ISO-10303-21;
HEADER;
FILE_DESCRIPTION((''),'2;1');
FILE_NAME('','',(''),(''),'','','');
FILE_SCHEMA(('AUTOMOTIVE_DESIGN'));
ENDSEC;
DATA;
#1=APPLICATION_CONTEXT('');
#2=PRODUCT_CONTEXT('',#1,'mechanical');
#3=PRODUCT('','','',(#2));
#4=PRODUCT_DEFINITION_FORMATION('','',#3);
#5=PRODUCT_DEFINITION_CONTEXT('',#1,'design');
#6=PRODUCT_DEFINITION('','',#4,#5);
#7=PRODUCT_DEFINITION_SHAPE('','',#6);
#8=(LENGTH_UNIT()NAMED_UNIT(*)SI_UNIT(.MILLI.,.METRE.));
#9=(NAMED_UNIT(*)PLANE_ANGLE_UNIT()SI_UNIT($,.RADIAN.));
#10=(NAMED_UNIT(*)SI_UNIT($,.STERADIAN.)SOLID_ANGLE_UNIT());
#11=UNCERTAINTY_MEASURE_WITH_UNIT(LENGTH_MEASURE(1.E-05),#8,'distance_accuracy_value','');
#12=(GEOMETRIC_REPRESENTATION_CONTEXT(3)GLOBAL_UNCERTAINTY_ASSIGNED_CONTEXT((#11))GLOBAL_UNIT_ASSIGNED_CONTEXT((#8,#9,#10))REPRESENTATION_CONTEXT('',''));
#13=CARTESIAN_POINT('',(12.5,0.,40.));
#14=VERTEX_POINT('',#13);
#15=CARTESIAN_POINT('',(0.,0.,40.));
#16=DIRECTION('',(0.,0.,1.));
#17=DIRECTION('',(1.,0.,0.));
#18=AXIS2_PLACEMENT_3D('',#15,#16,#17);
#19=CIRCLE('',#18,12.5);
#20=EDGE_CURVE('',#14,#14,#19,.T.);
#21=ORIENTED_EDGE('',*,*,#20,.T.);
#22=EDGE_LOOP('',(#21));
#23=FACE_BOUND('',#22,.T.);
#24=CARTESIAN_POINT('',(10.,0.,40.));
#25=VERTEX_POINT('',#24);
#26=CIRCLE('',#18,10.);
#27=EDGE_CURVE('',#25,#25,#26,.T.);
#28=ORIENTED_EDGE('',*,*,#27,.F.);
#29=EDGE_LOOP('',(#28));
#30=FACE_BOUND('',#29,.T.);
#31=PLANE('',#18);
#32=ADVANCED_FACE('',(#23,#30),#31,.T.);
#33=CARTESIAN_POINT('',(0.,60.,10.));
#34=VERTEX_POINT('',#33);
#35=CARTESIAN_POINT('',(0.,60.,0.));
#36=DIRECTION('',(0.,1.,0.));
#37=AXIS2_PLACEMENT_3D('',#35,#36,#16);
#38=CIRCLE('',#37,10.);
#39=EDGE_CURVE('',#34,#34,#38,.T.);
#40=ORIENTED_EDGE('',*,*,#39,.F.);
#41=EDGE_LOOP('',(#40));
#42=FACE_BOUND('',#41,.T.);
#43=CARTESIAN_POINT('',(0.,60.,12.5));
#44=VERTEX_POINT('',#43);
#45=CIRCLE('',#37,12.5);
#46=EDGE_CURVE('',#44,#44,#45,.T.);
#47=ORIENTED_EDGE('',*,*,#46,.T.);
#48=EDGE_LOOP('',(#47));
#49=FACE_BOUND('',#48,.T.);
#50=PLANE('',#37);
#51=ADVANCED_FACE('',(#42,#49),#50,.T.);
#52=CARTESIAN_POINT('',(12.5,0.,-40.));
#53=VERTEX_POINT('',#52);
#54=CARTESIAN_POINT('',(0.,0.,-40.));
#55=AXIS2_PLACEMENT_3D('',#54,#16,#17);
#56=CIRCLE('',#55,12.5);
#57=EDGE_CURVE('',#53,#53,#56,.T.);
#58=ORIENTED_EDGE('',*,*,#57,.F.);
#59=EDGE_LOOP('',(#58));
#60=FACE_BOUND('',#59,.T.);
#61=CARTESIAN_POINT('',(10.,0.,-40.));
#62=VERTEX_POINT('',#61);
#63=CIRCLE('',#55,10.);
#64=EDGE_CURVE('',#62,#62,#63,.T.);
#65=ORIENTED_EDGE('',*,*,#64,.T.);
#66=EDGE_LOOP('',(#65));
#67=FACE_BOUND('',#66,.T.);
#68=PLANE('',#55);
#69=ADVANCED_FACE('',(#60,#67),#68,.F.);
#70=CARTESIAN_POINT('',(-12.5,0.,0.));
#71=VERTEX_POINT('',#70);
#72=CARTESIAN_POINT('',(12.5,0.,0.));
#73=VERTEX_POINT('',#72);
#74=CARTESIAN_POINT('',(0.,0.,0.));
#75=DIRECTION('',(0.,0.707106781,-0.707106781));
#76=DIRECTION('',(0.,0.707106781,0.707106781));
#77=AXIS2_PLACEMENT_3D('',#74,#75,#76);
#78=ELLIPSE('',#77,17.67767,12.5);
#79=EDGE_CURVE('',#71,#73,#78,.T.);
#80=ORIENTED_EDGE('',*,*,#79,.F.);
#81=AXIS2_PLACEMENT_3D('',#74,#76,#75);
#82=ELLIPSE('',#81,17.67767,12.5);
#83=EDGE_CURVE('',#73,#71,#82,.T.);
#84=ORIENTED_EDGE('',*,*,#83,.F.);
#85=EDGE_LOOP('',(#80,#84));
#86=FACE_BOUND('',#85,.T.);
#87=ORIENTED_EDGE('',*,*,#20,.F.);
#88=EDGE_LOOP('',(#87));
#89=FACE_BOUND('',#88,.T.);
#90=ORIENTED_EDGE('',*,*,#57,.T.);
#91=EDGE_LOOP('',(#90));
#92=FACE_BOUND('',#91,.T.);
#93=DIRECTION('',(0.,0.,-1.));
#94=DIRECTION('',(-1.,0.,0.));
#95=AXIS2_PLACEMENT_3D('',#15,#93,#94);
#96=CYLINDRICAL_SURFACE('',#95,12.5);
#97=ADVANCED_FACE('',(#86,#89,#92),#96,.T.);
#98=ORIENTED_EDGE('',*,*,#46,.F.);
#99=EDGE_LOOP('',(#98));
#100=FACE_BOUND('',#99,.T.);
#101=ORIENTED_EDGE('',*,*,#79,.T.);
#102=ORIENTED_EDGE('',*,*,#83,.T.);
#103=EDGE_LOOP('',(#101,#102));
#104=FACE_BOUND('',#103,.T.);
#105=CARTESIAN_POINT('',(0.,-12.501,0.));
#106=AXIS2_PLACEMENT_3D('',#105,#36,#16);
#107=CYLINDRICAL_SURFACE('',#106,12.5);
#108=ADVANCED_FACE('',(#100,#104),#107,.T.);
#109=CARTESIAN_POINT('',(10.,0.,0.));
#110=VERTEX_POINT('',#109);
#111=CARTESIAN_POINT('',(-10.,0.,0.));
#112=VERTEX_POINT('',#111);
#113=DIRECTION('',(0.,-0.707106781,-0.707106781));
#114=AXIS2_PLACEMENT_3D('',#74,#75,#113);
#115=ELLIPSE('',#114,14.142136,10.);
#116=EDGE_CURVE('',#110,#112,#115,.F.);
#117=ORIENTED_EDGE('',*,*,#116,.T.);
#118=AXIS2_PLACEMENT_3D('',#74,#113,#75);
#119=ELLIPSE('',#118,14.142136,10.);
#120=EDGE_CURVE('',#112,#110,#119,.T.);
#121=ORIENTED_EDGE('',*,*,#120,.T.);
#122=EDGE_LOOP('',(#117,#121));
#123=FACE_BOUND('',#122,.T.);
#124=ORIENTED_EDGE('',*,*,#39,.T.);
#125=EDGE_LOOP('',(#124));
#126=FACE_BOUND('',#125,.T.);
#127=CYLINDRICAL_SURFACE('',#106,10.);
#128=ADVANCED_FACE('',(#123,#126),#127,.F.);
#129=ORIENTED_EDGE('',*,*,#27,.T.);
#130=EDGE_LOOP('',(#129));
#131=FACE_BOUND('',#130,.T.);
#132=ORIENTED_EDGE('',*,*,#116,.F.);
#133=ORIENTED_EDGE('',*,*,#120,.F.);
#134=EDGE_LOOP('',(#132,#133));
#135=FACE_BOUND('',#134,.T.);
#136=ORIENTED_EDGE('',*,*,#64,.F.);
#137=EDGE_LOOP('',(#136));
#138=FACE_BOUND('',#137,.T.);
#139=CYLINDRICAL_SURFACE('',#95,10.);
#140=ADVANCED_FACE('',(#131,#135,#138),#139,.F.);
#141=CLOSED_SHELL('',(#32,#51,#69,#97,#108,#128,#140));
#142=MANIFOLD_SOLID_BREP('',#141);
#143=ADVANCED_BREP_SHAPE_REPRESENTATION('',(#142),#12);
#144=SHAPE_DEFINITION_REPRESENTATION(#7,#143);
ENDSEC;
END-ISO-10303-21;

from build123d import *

# Parameters (mm, degrees)
SKETCH_1_R           = 12.5
SKETCH_1_R_2         = 10
EXTRUDE_1_DEPTH      = 40
EXTRUDE_2_REACH      = 85.741
EXTRUDE_2_END_RADIUS = 12.5
SKETCH_2_R           = 12.5
SKETCH_2_R_2         = 10
SKETCH_3_R           = 10
CUT_EXTRUDE_1_DEPTH  = 60


with BuildPart() as part:
    # 草图1 → 凸台-拉伸1 (new, symmetric)
    with BuildSketch(Plane.XY):
        Circle(SKETCH_1_R)
        Circle(SKETCH_1_R_2, mode=Mode.SUBTRACT)
    extrude(amount=EXTRUDE_1_DEPTH, both=True)

    # 凸台-拉伸2: up to this cylinder (the profile starts outside it)
    extrude_2_end = Plane(origin=(0, 0, -12.146447), z_dir=(0, 0, -1)) * Cylinder(EXTRUDE_2_END_RADIUS, 197.482, mode=Mode.PRIVATE)
    # 草图2 → 凸台-拉伸2 (add, up to the surface)
    with BuildSketch(Plane(origin=(0, 60, 0), x_dir=(1, 0, 0), z_dir=(0, 1, 0)), mode=Mode.PRIVATE) as extrude_2_sk1:
        with Locations(Location((0, 0, 0), (0, 0, 270))):
            Circle(SKETCH_2_R)
        with Locations(Location((0, 0, 0), (0, 0, 270))):
            Circle(SKETCH_2_R_2, mode=Mode.SUBTRACT)
    extrude_2_tool1 = extrude(extrude_2_sk1.sketch, amount=-EXTRUDE_2_REACH, mode=Mode.PRIVATE) - extrude_2_end
    add(extrude_2_tool1.solids().sort_by_distance((0, 60, -12.146447))[0])

    # 草图3 → 切除-拉伸1 (cut)
    with BuildSketch(Plane(origin=(0, 60, 0), x_dir=(1, 0, 0), z_dir=(0, 1, 0))):
        with Locations(Location((0, 0, 0), (0, 0, 270))):
            Circle(SKETCH_3_R)
    extrude(amount=-CUT_EXTRUDE_1_DEPTH, mode=Mode.SUBTRACT)


solid = part.part
